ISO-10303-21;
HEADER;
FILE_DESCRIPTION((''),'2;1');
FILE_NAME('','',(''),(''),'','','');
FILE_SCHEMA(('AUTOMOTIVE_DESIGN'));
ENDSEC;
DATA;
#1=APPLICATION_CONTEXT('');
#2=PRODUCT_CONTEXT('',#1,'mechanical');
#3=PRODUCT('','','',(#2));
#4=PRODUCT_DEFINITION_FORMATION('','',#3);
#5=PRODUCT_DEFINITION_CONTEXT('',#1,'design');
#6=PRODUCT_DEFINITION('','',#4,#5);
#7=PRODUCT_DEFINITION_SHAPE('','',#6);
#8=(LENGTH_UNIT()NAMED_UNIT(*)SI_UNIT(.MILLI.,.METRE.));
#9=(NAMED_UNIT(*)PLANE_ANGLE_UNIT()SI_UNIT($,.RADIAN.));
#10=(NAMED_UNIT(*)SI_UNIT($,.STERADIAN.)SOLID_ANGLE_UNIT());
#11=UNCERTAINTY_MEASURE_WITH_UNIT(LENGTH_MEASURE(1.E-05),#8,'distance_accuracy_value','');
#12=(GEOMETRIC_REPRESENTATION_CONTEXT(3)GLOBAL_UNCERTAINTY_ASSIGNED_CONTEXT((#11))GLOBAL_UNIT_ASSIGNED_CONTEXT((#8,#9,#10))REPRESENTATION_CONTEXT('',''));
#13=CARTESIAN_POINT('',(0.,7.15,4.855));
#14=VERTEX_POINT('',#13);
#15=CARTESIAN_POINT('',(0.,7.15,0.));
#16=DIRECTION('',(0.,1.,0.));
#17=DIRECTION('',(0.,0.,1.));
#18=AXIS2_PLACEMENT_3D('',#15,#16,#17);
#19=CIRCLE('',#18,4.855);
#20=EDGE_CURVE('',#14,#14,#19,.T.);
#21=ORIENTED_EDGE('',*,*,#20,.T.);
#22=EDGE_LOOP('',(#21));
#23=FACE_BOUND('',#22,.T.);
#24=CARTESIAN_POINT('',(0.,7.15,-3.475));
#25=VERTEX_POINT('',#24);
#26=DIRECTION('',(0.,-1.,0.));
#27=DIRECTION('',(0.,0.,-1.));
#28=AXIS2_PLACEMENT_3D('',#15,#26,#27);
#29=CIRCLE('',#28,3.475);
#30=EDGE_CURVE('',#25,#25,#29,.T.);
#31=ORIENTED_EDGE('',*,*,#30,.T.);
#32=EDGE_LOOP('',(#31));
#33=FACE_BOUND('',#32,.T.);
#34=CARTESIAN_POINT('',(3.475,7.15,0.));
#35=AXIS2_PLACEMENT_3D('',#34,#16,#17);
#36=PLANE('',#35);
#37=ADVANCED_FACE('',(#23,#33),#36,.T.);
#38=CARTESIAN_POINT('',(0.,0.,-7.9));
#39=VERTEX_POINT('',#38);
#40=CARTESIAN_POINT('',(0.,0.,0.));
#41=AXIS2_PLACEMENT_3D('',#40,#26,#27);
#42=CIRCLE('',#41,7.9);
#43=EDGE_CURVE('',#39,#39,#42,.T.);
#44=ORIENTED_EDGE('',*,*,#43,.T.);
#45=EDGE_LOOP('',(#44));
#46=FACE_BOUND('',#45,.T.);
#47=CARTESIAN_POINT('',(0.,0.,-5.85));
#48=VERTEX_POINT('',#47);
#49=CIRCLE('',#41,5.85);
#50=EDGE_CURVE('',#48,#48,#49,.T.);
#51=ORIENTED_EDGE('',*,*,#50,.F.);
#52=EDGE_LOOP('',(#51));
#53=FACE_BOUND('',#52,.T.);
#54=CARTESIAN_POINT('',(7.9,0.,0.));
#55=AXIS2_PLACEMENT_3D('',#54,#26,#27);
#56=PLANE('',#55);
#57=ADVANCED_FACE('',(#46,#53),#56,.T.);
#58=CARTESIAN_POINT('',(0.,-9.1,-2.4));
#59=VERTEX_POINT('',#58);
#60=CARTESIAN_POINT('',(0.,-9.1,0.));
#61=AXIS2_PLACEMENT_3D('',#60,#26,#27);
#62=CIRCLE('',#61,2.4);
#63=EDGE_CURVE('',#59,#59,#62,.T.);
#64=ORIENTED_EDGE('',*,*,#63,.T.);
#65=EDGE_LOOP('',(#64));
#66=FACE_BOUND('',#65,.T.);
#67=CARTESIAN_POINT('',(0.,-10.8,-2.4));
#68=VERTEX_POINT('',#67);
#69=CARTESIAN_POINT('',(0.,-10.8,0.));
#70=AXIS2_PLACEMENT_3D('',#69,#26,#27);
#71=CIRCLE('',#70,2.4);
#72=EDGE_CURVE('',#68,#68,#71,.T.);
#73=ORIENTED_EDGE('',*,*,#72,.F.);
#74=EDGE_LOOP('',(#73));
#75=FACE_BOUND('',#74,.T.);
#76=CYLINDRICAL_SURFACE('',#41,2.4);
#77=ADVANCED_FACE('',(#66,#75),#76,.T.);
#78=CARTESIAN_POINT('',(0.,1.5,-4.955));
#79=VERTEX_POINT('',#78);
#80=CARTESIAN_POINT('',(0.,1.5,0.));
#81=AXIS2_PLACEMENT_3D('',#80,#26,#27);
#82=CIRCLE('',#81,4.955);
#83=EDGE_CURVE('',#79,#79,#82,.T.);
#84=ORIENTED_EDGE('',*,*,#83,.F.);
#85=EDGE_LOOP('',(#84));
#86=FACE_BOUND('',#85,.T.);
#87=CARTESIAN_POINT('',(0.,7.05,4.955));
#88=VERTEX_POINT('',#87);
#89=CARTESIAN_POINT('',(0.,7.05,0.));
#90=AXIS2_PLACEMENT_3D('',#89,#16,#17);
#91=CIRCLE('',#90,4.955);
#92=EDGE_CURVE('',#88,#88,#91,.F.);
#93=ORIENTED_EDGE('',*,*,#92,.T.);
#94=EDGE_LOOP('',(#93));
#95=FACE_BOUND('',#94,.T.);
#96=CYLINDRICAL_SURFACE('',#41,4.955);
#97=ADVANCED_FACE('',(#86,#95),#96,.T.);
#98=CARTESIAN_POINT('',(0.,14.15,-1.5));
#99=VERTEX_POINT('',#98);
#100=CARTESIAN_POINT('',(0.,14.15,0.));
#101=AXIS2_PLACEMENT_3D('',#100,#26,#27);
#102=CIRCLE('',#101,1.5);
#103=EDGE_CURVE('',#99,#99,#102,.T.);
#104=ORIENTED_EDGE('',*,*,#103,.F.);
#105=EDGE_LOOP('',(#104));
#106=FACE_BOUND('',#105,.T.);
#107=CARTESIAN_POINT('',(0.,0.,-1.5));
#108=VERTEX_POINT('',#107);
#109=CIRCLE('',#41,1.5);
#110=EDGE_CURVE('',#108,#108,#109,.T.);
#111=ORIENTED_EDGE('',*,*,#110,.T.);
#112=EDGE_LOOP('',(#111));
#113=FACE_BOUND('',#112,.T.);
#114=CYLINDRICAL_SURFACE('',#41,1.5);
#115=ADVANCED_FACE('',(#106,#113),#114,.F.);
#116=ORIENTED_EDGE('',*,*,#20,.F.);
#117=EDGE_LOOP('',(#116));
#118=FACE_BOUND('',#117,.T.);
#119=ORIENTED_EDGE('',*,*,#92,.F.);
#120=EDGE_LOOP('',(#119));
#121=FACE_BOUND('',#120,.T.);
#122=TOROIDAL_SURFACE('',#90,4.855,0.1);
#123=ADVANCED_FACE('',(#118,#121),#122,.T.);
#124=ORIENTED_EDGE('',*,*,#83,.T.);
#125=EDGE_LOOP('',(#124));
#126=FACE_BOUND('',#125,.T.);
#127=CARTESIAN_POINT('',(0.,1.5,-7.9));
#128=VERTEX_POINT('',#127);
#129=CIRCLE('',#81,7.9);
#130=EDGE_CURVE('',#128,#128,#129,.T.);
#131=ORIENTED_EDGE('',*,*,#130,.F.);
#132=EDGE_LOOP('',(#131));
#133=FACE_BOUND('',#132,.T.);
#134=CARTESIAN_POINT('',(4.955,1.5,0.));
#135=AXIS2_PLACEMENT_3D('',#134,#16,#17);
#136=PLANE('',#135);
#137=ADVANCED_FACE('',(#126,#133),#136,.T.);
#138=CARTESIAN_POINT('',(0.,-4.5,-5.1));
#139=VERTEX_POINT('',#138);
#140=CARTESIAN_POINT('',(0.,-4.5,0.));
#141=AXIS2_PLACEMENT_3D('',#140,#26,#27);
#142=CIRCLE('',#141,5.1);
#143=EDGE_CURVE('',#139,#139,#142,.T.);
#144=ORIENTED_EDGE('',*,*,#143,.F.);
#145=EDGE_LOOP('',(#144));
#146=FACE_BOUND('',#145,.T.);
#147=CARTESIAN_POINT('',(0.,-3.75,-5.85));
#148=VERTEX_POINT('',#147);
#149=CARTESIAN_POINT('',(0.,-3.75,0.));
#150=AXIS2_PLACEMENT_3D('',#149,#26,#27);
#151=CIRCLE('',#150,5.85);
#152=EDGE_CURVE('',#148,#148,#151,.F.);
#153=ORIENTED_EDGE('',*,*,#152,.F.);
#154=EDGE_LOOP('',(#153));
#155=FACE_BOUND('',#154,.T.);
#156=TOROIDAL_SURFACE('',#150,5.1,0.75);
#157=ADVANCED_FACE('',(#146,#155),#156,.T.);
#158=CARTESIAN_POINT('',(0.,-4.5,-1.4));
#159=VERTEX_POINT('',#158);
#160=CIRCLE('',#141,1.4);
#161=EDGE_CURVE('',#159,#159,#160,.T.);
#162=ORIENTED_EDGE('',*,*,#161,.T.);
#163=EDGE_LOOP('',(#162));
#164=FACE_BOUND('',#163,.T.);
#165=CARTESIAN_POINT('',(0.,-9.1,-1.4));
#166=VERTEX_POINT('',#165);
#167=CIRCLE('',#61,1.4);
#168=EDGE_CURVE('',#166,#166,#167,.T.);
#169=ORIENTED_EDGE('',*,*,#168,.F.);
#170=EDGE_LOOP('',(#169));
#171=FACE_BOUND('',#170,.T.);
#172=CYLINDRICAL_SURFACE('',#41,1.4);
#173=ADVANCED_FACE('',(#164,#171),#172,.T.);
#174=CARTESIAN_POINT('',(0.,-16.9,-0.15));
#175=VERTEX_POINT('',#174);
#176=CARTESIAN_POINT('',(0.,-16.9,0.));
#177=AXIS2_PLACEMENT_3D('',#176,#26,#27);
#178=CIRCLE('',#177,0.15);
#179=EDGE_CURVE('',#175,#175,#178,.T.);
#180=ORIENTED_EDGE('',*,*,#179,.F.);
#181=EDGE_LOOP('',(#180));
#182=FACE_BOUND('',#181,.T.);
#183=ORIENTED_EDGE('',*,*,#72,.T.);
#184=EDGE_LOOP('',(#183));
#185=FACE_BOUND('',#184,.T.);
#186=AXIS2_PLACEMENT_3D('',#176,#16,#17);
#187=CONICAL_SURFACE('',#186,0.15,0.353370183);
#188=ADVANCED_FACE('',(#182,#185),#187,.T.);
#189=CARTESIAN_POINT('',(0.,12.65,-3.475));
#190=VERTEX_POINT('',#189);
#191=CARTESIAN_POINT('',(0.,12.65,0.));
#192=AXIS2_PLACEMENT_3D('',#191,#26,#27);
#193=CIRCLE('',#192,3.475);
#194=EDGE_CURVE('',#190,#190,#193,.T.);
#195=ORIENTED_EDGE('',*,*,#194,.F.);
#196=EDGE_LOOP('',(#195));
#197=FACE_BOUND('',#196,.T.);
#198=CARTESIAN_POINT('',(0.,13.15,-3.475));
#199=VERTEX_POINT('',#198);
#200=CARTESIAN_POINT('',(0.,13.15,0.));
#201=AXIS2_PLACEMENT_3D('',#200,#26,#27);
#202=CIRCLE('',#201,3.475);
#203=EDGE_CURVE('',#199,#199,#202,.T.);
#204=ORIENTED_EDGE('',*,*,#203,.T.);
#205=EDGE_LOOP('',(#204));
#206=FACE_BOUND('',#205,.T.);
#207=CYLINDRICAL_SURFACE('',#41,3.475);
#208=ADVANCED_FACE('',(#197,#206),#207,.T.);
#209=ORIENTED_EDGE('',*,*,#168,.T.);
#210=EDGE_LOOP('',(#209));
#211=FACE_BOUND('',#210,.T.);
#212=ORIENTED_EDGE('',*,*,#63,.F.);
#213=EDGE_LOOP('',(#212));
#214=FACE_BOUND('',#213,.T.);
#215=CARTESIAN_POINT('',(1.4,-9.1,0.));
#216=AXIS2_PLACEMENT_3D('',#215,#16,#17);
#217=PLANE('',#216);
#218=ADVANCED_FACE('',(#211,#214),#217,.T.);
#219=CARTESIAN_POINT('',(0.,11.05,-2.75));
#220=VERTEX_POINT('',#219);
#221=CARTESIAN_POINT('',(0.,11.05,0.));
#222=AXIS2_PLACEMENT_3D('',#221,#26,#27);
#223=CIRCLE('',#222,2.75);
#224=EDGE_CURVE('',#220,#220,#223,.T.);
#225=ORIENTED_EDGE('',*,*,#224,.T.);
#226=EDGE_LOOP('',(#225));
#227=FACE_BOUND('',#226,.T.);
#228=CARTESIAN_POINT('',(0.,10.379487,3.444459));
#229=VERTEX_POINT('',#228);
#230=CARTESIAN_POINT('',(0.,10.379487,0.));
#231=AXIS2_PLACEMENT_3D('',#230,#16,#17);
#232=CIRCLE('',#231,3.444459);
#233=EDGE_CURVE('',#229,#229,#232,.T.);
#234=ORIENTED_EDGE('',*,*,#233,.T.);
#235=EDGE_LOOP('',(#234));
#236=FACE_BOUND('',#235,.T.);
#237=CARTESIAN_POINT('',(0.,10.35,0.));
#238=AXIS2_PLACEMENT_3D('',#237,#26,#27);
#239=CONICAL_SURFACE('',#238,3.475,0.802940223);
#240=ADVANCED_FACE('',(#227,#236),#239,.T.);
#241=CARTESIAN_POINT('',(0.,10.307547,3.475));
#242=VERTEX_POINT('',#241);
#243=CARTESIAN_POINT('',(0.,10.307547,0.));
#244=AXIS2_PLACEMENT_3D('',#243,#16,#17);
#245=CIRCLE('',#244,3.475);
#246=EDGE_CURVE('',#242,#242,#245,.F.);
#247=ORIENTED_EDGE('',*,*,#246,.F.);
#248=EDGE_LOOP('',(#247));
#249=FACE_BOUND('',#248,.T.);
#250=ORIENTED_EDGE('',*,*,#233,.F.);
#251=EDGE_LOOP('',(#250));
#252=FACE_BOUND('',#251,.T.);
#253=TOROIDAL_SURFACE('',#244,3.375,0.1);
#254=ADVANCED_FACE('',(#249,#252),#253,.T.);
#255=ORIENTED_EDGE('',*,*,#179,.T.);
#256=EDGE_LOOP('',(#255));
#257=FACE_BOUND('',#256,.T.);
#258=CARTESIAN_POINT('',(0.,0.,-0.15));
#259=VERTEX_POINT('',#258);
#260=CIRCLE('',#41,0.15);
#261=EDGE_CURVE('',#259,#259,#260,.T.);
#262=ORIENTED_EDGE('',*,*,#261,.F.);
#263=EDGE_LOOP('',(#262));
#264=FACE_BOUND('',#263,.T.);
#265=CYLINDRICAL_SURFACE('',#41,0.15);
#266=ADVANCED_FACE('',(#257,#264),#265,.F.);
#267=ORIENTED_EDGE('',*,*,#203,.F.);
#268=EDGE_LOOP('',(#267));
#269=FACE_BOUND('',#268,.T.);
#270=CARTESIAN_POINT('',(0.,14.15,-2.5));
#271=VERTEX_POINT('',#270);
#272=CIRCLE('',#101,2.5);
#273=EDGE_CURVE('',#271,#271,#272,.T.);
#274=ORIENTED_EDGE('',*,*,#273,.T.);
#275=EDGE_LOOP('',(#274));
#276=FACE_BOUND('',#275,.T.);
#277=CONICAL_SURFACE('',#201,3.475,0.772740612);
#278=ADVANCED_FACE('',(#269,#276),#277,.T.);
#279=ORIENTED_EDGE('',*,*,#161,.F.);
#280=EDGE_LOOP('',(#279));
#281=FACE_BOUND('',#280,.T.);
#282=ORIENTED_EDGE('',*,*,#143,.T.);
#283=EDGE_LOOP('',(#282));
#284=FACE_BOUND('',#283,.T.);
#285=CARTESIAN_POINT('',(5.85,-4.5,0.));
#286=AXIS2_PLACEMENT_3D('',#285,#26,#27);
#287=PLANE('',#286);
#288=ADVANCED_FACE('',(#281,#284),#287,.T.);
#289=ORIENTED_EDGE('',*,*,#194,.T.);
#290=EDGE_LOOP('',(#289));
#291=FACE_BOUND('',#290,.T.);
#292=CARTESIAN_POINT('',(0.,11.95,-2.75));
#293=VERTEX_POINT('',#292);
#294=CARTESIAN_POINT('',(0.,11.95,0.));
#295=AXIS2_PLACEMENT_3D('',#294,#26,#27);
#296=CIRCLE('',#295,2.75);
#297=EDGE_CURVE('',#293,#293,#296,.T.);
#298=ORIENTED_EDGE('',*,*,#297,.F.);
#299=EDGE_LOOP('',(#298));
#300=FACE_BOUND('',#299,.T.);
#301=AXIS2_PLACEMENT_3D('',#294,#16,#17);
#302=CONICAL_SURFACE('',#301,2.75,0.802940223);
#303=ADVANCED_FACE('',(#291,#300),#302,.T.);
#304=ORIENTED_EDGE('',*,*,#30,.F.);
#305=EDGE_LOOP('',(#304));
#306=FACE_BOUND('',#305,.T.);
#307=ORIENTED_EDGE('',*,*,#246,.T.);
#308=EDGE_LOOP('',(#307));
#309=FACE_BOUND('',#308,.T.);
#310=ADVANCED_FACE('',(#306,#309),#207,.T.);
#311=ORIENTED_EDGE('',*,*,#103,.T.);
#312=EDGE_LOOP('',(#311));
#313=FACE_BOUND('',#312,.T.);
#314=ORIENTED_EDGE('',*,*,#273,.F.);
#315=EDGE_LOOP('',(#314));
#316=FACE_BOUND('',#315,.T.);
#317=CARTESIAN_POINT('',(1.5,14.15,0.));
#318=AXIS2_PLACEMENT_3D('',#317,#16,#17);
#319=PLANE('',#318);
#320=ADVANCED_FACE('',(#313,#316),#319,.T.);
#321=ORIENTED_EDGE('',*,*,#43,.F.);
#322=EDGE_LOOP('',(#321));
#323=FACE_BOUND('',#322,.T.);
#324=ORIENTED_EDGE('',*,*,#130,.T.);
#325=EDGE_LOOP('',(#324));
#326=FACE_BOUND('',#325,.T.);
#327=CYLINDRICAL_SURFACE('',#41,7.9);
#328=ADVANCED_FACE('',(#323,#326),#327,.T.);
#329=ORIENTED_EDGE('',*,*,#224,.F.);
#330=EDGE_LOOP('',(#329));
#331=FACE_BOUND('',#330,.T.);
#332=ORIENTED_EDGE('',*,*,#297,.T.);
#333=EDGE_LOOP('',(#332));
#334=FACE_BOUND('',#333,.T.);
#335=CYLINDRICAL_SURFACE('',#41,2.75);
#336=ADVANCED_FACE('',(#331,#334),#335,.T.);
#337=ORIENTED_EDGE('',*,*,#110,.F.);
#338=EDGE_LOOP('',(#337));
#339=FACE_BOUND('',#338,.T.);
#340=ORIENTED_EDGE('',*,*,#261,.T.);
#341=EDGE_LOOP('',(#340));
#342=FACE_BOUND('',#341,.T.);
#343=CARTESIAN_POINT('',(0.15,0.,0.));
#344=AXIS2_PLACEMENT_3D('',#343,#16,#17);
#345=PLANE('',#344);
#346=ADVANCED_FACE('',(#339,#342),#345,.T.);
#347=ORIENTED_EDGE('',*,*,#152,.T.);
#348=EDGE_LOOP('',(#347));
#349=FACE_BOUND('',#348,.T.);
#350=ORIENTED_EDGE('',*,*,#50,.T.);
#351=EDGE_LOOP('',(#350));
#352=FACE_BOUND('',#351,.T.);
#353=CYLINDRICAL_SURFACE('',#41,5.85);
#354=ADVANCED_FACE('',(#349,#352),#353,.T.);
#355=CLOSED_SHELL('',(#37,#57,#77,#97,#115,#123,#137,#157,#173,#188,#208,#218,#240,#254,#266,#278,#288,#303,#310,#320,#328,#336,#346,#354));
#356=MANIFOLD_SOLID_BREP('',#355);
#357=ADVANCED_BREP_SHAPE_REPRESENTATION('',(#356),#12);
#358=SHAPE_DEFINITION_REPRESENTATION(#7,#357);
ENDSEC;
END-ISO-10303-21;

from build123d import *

# Parameters (mm, degrees)
FILLET1_R = 0.75
FILLET2_R = 0.1


with BuildPart() as part:
    # Sketch1 → Revolve1 (revolve)
    with BuildSketch(Plane.XY):
        Polygon((1.5, 14.15), (2.5, 14.15), (3.475, 13.15), (3.475, 12.65), (2.75, 11.95), (2.75, 11.05), (3.475, 10.35), (3.475, 7.15), (4.955, 7.15), (4.955, 1.5), (7.9, 1.5), (7.9, 0), (5.85, 0), (5.85, -4.5), (1.4, -4.5), (1.4, -9.1), (2.4, -9.1), (2.4, -10.8), (0.15, -16.9), (0.15, 0), (1.5, 0), align=None)
    revolve(axis=Axis((0, 0, 0), (0, 1, 0)))

    # Fillet1
    fillet1_edges = [part.edges().sort_by_distance(p)[0] for p in [
        (-5.85, -4.5, 0),
    ]]
    fillet(fillet1_edges, radius=FILLET1_R)

    # Fillet2
    fillet2_edges = [part.edges().sort_by_distance(p)[0] for p in [
        (-4.955, 7.15, 0),
        (-3.475, 10.35, 0),
    ]]
    fillet(fillet2_edges, radius=FILLET2_R)


solid = part.part
